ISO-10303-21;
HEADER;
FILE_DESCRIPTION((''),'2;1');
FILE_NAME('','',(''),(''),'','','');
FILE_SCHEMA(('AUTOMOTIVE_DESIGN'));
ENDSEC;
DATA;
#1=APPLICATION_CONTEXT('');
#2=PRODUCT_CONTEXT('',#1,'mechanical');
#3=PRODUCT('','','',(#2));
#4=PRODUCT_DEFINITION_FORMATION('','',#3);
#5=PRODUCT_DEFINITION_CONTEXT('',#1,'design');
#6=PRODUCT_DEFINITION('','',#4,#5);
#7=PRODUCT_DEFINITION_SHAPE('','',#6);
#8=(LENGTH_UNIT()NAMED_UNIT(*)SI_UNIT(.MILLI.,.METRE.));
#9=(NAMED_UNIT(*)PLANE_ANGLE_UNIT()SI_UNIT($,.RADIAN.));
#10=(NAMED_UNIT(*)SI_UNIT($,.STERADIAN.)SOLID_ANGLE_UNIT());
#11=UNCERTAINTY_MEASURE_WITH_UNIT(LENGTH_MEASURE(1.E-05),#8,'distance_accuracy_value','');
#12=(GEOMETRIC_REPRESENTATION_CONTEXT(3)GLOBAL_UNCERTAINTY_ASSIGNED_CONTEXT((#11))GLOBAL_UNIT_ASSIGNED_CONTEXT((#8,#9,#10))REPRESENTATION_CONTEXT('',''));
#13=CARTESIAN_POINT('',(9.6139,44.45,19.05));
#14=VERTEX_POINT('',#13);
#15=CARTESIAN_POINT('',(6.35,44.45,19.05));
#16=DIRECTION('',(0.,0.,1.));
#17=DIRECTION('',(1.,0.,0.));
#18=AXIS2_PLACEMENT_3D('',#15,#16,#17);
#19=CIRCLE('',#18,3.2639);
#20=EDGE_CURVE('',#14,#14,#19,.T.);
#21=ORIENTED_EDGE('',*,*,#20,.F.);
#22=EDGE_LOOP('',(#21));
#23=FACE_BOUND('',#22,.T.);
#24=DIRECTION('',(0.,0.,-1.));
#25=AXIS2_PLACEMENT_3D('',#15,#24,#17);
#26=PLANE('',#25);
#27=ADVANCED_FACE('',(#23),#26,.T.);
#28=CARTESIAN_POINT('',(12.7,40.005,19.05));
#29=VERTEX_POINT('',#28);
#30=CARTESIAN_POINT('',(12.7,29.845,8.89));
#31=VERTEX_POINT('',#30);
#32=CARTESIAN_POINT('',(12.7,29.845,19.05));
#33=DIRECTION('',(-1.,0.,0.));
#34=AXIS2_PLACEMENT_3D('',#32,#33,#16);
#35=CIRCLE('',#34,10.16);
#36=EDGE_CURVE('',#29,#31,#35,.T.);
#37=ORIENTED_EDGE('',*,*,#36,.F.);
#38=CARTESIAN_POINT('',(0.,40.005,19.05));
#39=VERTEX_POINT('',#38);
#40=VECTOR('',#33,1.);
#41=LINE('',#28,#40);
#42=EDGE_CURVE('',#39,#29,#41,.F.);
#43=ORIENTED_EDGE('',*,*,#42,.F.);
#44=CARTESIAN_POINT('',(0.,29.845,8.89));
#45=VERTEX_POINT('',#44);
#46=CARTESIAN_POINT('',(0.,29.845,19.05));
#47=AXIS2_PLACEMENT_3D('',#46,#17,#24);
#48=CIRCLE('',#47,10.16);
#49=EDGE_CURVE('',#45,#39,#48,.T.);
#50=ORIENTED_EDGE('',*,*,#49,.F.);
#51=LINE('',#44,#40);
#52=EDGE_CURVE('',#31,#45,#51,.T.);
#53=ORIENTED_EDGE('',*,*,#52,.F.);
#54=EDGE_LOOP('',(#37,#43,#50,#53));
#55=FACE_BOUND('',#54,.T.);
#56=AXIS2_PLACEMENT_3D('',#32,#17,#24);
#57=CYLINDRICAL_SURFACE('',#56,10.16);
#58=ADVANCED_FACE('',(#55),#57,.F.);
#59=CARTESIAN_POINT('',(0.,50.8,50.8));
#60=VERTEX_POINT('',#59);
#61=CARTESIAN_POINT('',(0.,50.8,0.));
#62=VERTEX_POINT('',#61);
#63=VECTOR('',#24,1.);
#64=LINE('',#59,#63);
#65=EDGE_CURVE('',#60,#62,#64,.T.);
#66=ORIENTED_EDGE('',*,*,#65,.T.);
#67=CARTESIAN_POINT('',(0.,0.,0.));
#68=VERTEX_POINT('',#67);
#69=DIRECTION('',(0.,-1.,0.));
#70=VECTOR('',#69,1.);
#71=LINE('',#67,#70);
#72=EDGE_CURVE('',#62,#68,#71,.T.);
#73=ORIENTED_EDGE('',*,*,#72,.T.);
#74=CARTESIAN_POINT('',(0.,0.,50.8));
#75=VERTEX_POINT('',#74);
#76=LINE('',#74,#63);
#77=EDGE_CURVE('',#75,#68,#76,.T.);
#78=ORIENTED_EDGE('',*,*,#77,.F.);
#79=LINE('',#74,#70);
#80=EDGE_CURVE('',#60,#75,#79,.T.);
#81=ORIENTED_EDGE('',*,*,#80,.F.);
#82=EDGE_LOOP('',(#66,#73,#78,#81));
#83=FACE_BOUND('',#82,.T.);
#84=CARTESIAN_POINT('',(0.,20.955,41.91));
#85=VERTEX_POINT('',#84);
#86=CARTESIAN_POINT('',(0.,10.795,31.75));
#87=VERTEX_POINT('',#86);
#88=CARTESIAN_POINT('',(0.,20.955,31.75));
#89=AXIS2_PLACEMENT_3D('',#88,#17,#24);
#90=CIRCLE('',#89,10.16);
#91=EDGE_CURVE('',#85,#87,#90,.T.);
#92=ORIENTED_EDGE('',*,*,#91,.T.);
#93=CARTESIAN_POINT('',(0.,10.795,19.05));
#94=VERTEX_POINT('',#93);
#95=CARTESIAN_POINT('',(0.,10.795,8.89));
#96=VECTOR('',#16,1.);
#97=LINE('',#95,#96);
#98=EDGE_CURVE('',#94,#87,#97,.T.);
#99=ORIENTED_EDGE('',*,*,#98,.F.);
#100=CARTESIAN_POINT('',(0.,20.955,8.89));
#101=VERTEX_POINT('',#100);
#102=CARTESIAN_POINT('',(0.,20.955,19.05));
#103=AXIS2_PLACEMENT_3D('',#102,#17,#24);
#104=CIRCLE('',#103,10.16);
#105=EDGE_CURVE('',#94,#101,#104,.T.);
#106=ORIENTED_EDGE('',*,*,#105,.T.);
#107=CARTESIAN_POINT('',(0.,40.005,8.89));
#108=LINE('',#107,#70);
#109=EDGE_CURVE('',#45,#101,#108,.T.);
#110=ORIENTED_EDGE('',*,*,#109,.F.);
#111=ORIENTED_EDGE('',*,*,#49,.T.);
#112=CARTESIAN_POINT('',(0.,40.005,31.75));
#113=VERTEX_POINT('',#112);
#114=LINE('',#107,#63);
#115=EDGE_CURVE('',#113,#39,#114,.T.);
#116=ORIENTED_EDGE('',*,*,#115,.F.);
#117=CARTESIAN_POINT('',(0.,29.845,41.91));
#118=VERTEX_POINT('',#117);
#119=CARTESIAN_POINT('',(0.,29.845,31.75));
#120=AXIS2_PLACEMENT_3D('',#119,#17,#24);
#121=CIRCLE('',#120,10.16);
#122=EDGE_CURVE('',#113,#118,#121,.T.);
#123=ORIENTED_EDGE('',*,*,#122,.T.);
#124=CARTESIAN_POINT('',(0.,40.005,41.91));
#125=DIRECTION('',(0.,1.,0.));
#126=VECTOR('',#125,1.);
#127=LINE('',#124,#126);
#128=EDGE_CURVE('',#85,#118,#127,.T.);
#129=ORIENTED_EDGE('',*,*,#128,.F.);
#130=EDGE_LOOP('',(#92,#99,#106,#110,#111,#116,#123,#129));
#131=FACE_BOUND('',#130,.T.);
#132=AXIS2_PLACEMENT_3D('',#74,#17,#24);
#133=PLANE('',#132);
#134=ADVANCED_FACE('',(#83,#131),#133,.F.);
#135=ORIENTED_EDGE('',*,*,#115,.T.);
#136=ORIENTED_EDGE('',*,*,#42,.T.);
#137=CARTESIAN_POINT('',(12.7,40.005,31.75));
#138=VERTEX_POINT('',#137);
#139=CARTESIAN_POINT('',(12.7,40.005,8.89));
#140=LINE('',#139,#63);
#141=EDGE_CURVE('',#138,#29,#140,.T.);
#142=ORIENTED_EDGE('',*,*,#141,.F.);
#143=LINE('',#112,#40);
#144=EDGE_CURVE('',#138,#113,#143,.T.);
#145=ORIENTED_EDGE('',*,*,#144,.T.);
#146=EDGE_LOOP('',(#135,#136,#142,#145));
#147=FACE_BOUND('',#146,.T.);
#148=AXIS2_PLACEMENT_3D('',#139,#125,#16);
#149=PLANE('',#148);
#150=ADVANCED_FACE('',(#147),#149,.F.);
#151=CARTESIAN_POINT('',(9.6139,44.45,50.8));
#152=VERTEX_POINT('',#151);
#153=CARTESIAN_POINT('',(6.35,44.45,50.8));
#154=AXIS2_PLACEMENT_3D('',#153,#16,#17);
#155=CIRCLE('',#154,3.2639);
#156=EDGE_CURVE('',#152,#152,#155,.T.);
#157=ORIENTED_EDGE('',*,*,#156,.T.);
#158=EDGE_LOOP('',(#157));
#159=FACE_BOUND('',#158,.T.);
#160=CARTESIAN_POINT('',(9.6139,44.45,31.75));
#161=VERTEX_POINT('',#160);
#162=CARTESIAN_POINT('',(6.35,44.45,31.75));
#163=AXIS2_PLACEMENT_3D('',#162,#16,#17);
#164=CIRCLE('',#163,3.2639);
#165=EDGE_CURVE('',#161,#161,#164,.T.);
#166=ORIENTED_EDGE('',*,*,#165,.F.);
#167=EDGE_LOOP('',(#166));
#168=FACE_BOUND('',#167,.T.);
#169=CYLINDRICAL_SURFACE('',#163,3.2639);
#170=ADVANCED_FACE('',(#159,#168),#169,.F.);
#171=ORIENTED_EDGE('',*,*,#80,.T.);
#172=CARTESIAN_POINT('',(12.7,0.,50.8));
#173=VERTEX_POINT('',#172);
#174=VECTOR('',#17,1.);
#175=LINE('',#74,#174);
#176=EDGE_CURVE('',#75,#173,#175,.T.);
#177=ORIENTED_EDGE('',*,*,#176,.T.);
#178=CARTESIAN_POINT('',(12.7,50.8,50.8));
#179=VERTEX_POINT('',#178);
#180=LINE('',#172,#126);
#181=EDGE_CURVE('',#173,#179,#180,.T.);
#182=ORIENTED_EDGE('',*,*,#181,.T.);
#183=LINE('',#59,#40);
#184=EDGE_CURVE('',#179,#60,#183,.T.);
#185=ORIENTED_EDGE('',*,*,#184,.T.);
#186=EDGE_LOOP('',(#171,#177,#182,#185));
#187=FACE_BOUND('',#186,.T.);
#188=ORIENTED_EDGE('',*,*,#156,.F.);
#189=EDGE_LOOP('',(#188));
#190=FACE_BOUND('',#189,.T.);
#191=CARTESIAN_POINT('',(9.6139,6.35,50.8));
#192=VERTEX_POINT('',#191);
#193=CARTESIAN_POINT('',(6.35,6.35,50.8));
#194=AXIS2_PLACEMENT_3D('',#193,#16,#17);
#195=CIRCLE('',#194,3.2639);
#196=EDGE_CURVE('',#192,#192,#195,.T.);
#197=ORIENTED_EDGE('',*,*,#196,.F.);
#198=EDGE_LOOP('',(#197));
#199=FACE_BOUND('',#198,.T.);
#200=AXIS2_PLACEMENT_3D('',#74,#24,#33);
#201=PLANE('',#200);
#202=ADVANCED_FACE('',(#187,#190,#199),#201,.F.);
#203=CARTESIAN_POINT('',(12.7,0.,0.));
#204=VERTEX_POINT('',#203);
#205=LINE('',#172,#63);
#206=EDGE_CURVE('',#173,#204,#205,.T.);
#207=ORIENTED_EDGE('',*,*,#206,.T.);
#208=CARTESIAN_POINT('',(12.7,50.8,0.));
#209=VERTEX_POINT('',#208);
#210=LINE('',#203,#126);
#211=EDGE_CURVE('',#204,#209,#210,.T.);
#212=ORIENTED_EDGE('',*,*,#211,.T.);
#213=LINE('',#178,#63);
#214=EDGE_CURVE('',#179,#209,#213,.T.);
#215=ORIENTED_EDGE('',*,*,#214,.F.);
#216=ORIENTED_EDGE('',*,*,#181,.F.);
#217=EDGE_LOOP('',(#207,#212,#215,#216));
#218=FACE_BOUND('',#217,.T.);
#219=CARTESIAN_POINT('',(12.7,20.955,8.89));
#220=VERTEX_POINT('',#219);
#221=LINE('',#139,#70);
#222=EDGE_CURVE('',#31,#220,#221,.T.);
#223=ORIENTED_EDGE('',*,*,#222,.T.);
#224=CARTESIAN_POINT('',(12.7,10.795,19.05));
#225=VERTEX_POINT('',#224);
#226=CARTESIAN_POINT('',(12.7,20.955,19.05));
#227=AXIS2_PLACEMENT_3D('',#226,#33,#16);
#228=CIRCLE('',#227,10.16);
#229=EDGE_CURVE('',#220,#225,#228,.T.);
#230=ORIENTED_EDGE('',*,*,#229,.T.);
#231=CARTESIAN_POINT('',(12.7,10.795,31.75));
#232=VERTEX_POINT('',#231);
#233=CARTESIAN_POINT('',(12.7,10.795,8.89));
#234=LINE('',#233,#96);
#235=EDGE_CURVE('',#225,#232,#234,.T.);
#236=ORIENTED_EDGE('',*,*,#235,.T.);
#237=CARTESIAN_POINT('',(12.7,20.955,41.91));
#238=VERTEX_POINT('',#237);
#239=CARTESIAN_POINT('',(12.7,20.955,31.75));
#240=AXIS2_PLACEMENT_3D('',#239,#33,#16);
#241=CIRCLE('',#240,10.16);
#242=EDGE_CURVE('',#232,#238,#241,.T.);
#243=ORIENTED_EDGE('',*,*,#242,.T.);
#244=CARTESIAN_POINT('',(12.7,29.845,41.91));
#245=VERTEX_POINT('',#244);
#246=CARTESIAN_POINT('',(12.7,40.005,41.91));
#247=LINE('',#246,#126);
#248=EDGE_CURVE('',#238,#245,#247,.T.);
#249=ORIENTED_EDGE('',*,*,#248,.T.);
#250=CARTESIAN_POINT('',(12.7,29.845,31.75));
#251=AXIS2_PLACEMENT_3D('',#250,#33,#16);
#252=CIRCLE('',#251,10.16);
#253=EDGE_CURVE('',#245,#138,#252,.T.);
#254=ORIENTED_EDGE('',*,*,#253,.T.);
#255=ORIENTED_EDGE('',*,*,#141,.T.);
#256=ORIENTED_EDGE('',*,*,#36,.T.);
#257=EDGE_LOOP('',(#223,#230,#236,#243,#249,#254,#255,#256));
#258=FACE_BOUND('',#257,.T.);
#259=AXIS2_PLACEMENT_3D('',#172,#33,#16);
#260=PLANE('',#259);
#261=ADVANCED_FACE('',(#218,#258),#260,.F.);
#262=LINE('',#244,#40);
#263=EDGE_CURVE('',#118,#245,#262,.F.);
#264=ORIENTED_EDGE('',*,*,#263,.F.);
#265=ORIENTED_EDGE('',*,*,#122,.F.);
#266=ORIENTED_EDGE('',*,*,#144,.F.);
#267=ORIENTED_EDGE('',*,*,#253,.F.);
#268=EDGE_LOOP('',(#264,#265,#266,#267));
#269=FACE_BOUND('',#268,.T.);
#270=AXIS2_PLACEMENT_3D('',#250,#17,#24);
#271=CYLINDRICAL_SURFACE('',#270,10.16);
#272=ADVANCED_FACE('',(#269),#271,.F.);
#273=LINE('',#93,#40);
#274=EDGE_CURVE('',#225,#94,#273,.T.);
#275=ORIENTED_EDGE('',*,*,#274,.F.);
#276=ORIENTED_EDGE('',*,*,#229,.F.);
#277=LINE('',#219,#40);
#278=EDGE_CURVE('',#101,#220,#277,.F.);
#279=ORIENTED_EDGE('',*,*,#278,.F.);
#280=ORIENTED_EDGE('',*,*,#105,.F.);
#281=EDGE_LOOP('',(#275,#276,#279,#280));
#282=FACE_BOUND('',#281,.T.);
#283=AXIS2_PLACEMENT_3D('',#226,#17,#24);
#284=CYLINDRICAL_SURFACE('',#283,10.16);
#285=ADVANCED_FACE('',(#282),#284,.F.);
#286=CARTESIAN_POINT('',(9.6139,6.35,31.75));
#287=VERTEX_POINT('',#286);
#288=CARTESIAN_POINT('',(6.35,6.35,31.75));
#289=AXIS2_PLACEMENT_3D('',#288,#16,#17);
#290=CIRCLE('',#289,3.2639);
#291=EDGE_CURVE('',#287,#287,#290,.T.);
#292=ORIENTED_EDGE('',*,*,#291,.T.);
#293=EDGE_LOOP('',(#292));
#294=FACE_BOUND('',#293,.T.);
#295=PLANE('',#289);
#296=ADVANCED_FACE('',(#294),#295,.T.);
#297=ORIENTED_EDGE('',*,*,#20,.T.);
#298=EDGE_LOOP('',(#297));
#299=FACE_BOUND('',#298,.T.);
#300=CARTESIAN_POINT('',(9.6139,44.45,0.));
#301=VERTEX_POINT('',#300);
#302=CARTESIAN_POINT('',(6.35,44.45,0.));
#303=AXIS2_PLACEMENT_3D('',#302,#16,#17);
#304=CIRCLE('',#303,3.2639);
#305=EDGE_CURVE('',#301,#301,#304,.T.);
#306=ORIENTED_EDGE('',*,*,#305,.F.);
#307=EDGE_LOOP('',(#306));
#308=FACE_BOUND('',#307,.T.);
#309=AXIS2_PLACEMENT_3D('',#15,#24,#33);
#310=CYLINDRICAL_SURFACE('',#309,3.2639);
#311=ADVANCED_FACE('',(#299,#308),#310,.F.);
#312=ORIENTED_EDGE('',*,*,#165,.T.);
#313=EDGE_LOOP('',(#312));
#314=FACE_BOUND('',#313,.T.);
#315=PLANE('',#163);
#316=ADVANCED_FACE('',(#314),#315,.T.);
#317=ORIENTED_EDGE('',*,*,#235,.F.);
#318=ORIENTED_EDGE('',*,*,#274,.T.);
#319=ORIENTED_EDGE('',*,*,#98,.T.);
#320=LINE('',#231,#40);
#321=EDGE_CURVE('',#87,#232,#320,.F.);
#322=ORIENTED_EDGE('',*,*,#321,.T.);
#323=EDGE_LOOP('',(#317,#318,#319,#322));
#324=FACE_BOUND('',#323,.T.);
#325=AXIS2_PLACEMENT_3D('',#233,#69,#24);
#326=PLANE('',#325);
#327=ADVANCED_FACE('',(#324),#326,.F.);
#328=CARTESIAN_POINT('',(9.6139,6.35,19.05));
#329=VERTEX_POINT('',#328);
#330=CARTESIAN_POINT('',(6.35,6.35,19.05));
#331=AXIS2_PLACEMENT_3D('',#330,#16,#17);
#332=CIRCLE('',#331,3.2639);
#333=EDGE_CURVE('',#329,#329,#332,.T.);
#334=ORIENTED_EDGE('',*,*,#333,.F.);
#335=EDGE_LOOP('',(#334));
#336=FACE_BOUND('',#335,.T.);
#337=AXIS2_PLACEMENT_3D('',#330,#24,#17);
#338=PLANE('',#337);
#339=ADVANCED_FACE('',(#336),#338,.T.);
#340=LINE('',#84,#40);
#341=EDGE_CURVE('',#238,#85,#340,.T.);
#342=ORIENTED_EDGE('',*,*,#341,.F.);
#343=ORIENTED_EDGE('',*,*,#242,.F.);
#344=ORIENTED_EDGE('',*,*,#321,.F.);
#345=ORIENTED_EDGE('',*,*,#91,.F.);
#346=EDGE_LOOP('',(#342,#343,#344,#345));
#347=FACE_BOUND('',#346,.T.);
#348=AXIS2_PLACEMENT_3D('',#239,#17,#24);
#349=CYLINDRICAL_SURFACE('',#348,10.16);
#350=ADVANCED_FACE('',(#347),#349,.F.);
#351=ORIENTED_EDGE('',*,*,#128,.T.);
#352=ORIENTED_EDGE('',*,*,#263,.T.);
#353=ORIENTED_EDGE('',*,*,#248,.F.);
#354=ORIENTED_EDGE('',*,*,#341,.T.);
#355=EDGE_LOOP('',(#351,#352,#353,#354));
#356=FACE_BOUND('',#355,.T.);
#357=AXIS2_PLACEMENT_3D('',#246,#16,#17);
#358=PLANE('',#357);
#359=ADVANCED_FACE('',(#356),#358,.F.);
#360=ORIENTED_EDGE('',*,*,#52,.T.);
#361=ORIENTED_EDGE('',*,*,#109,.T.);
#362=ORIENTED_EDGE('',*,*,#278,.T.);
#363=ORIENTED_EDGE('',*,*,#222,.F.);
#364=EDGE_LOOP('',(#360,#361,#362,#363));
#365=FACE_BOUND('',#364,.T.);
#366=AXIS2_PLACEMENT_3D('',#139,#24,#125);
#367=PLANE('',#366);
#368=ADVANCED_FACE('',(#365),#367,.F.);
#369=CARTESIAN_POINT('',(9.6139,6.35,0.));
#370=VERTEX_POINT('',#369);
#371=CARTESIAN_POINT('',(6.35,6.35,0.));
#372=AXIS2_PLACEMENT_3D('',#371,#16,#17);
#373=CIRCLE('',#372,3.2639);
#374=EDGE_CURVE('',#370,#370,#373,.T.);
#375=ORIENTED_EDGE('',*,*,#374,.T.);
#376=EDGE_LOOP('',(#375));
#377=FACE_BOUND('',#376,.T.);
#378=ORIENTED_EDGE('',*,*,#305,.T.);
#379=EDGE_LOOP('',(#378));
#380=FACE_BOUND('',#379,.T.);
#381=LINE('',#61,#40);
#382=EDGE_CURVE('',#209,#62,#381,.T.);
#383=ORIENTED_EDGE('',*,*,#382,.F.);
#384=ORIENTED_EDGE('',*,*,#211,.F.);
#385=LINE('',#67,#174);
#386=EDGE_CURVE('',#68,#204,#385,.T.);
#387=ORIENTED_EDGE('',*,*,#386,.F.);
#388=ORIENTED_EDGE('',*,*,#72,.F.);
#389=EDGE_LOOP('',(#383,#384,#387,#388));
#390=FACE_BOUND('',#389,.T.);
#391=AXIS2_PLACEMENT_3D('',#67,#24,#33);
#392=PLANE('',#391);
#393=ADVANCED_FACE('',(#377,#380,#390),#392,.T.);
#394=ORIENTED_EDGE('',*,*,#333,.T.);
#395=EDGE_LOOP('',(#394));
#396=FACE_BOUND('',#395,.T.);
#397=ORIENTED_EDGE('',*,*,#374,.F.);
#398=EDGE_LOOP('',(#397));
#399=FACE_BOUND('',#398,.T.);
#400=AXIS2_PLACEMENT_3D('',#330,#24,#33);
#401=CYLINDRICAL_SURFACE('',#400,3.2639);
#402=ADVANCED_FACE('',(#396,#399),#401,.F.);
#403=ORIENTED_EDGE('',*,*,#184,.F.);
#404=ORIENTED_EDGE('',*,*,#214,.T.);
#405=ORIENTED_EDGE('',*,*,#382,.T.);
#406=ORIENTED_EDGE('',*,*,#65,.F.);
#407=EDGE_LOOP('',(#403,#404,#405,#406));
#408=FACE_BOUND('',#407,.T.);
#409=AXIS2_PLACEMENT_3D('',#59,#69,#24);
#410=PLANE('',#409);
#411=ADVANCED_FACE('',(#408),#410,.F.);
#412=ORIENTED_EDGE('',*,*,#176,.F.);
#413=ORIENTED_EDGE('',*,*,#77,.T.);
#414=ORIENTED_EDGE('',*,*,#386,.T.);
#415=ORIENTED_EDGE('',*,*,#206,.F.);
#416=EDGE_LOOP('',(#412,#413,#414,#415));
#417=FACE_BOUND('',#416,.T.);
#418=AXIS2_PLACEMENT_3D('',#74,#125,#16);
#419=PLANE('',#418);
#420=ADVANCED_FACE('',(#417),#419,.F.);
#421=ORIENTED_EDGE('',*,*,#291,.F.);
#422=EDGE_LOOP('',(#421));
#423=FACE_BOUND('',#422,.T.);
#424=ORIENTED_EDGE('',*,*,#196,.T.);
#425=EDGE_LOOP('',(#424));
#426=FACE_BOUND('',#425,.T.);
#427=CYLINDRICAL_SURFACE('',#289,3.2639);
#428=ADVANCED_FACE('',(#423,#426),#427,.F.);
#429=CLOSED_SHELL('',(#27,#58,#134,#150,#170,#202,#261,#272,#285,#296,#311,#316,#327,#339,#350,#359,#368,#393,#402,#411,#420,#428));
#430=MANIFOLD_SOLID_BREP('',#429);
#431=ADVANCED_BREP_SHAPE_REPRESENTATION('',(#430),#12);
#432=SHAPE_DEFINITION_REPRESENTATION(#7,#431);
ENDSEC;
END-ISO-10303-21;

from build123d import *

# Parameters (mm, degrees)
SKETCH1_W           = 12.7
SKETCH1_H           = 50.8
BOSS_EXTRUDE1_DEPTH = 50.8
SKETCH2_R           = 3.2639
CUT_EXTRUDE1_DEPTH  = 19.05
SKETCH3_W           = 33.02
SKETCH3_H           = 29.21
CUT_EXTRUDE2_DEPTH  = 13.7
FILLET1_R           = 10.16


with BuildPart() as part:
    # Sketch1 → Boss-Extrude1 (new body)
    with BuildSketch(Plane.XY):
        with Locations((6.35, 25.4)):
            Rectangle(SKETCH1_W, SKETCH1_H)
    extrude(amount=BOSS_EXTRUDE1_DEPTH)

    # Sketch2 → Cut-Extrude1 (cut)
    with BuildSketch(Plane.XY.offset(50.8)):
        with Locations((6.35, 44.45)):
            Circle(SKETCH2_R)
        with Locations((6.35, 6.35)):
            Circle(SKETCH2_R)
    cut_extrude1 = extrude(amount=-CUT_EXTRUDE1_DEPTH, mode=Mode.SUBTRACT)

    # Mirror1: Cut-Extrude1 across plane
    add(cut_extrude1.mirror(Plane.XY.offset(25.4)), mode=Mode.SUBTRACT)

    # Sketch3 → Cut-Extrude2 (cut, through all)
    with BuildSketch(Plane.ZY):
        with Locations((25.4, 25.4)):
            Rectangle(SKETCH3_W, SKETCH3_H)
    extrude(amount=-CUT_EXTRUDE2_DEPTH, mode=Mode.SUBTRACT)

    # Fillet1
    fillet1_edges = [part.edges().sort_by_distance(p)[0] for p in [
        (6.35, 10.795, 8.89),
        (6.35, 40.005, 8.89),
        (6.35, 40.005, 41.91),
        (6.35, 10.795, 41.91),
    ]]
    fillet(fillet1_edges, radius=FILLET1_R)


solid = part.part
